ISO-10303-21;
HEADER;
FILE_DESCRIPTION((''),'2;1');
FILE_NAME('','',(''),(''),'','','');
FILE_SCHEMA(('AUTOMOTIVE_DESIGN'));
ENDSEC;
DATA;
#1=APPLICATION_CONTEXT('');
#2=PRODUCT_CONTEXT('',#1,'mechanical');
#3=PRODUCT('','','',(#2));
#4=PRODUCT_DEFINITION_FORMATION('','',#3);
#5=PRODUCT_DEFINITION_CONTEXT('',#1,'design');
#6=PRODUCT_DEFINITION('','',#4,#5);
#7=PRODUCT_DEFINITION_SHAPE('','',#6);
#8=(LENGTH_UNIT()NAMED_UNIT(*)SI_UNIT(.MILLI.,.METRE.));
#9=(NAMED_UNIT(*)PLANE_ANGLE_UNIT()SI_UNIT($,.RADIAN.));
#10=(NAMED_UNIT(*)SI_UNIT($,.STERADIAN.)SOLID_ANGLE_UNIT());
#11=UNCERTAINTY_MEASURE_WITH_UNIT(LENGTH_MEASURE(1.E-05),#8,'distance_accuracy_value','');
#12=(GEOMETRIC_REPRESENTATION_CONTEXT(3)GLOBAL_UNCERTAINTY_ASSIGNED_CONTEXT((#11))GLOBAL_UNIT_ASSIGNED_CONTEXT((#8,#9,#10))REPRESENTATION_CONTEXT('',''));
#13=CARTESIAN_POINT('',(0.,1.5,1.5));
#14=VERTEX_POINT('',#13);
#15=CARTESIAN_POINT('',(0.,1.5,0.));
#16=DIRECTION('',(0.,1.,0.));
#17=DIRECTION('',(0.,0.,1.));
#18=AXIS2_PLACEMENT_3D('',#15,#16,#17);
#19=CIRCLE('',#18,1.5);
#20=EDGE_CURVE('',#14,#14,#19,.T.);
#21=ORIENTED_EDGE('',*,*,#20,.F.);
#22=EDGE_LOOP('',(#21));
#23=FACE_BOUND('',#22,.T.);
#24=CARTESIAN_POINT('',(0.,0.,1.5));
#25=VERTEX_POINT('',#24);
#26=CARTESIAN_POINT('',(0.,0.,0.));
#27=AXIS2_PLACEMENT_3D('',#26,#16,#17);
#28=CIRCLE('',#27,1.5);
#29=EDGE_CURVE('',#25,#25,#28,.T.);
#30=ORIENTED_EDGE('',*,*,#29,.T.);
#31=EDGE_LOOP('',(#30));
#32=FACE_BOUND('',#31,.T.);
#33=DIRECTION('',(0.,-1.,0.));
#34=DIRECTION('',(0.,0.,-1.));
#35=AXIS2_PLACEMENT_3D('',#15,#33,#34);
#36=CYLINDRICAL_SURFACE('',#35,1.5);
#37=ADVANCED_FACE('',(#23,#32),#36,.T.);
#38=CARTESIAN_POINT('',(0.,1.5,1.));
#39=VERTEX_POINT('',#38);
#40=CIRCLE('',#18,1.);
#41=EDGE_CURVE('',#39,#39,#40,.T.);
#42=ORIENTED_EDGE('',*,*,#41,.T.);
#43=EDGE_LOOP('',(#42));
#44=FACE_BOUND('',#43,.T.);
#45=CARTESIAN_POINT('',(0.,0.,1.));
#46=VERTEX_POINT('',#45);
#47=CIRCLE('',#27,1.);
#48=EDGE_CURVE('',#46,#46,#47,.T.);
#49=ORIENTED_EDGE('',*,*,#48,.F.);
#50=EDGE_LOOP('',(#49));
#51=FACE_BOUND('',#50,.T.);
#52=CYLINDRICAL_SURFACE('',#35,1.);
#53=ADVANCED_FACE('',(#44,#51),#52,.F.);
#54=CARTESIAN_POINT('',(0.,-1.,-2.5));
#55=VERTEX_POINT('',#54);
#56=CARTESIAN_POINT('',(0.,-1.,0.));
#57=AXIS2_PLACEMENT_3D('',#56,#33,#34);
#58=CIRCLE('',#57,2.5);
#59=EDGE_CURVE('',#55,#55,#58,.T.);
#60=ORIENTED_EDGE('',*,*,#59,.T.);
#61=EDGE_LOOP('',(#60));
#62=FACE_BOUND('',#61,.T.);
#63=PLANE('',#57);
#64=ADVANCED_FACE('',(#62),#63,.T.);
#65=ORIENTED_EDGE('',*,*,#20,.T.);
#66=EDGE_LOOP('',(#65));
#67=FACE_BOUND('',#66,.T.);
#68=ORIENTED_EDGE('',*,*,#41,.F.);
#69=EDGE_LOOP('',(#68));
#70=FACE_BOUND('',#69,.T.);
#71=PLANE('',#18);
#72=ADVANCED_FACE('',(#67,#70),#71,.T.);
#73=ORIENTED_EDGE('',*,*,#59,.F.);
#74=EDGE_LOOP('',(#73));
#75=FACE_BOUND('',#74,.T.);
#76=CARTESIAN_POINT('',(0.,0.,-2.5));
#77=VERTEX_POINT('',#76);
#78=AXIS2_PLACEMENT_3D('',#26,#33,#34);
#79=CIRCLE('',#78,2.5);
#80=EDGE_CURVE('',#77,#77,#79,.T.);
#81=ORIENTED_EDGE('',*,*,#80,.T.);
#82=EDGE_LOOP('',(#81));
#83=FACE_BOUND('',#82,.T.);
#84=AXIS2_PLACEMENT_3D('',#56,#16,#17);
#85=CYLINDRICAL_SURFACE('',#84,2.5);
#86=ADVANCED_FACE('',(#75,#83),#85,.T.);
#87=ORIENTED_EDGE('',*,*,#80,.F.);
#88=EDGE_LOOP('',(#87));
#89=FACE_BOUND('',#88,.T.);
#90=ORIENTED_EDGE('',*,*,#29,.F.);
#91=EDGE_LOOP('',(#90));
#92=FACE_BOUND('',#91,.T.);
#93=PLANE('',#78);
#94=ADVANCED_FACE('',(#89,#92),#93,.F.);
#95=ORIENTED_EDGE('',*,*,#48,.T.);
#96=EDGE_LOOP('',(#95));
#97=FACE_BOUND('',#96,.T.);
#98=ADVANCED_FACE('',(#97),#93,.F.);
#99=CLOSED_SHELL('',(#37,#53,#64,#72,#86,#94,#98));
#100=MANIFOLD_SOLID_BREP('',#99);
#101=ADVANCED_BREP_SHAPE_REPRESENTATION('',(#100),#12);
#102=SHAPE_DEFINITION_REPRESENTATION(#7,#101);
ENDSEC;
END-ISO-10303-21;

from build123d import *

# Parameters (mm, degrees)
SKETCH_1_R      = 1.5
SKETCH_1_R_2    = 1
EXTRUDE_1_DEPTH = 1.5
SKETCH_2_R      = 2.5
EXTRUDE_2_DEPTH = 1


with BuildPart() as part:
    # 草图1 → 凸台-拉伸1 (new body)
    with BuildSketch(Plane(origin=(0, 0, 0), x_dir=(1, 0, 0), z_dir=(0, 1, 0))):
        with Locations(Location((0, 0, 0), (0, 0, 270))):
            Circle(SKETCH_1_R)
        with Locations(Location((0, 0, 0), (0, 0, 270))):
            Circle(SKETCH_1_R_2, mode=Mode.SUBTRACT)
    extrude(amount=EXTRUDE_1_DEPTH)

    # 草图2 → 凸台-拉伸2 (add)
    with BuildSketch(Plane.XZ):
        with Locations(Location((0, 0, 0), (0, 0, 270))):
            Circle(SKETCH_2_R)
    extrude(amount=EXTRUDE_2_DEPTH)


solid = part.part
